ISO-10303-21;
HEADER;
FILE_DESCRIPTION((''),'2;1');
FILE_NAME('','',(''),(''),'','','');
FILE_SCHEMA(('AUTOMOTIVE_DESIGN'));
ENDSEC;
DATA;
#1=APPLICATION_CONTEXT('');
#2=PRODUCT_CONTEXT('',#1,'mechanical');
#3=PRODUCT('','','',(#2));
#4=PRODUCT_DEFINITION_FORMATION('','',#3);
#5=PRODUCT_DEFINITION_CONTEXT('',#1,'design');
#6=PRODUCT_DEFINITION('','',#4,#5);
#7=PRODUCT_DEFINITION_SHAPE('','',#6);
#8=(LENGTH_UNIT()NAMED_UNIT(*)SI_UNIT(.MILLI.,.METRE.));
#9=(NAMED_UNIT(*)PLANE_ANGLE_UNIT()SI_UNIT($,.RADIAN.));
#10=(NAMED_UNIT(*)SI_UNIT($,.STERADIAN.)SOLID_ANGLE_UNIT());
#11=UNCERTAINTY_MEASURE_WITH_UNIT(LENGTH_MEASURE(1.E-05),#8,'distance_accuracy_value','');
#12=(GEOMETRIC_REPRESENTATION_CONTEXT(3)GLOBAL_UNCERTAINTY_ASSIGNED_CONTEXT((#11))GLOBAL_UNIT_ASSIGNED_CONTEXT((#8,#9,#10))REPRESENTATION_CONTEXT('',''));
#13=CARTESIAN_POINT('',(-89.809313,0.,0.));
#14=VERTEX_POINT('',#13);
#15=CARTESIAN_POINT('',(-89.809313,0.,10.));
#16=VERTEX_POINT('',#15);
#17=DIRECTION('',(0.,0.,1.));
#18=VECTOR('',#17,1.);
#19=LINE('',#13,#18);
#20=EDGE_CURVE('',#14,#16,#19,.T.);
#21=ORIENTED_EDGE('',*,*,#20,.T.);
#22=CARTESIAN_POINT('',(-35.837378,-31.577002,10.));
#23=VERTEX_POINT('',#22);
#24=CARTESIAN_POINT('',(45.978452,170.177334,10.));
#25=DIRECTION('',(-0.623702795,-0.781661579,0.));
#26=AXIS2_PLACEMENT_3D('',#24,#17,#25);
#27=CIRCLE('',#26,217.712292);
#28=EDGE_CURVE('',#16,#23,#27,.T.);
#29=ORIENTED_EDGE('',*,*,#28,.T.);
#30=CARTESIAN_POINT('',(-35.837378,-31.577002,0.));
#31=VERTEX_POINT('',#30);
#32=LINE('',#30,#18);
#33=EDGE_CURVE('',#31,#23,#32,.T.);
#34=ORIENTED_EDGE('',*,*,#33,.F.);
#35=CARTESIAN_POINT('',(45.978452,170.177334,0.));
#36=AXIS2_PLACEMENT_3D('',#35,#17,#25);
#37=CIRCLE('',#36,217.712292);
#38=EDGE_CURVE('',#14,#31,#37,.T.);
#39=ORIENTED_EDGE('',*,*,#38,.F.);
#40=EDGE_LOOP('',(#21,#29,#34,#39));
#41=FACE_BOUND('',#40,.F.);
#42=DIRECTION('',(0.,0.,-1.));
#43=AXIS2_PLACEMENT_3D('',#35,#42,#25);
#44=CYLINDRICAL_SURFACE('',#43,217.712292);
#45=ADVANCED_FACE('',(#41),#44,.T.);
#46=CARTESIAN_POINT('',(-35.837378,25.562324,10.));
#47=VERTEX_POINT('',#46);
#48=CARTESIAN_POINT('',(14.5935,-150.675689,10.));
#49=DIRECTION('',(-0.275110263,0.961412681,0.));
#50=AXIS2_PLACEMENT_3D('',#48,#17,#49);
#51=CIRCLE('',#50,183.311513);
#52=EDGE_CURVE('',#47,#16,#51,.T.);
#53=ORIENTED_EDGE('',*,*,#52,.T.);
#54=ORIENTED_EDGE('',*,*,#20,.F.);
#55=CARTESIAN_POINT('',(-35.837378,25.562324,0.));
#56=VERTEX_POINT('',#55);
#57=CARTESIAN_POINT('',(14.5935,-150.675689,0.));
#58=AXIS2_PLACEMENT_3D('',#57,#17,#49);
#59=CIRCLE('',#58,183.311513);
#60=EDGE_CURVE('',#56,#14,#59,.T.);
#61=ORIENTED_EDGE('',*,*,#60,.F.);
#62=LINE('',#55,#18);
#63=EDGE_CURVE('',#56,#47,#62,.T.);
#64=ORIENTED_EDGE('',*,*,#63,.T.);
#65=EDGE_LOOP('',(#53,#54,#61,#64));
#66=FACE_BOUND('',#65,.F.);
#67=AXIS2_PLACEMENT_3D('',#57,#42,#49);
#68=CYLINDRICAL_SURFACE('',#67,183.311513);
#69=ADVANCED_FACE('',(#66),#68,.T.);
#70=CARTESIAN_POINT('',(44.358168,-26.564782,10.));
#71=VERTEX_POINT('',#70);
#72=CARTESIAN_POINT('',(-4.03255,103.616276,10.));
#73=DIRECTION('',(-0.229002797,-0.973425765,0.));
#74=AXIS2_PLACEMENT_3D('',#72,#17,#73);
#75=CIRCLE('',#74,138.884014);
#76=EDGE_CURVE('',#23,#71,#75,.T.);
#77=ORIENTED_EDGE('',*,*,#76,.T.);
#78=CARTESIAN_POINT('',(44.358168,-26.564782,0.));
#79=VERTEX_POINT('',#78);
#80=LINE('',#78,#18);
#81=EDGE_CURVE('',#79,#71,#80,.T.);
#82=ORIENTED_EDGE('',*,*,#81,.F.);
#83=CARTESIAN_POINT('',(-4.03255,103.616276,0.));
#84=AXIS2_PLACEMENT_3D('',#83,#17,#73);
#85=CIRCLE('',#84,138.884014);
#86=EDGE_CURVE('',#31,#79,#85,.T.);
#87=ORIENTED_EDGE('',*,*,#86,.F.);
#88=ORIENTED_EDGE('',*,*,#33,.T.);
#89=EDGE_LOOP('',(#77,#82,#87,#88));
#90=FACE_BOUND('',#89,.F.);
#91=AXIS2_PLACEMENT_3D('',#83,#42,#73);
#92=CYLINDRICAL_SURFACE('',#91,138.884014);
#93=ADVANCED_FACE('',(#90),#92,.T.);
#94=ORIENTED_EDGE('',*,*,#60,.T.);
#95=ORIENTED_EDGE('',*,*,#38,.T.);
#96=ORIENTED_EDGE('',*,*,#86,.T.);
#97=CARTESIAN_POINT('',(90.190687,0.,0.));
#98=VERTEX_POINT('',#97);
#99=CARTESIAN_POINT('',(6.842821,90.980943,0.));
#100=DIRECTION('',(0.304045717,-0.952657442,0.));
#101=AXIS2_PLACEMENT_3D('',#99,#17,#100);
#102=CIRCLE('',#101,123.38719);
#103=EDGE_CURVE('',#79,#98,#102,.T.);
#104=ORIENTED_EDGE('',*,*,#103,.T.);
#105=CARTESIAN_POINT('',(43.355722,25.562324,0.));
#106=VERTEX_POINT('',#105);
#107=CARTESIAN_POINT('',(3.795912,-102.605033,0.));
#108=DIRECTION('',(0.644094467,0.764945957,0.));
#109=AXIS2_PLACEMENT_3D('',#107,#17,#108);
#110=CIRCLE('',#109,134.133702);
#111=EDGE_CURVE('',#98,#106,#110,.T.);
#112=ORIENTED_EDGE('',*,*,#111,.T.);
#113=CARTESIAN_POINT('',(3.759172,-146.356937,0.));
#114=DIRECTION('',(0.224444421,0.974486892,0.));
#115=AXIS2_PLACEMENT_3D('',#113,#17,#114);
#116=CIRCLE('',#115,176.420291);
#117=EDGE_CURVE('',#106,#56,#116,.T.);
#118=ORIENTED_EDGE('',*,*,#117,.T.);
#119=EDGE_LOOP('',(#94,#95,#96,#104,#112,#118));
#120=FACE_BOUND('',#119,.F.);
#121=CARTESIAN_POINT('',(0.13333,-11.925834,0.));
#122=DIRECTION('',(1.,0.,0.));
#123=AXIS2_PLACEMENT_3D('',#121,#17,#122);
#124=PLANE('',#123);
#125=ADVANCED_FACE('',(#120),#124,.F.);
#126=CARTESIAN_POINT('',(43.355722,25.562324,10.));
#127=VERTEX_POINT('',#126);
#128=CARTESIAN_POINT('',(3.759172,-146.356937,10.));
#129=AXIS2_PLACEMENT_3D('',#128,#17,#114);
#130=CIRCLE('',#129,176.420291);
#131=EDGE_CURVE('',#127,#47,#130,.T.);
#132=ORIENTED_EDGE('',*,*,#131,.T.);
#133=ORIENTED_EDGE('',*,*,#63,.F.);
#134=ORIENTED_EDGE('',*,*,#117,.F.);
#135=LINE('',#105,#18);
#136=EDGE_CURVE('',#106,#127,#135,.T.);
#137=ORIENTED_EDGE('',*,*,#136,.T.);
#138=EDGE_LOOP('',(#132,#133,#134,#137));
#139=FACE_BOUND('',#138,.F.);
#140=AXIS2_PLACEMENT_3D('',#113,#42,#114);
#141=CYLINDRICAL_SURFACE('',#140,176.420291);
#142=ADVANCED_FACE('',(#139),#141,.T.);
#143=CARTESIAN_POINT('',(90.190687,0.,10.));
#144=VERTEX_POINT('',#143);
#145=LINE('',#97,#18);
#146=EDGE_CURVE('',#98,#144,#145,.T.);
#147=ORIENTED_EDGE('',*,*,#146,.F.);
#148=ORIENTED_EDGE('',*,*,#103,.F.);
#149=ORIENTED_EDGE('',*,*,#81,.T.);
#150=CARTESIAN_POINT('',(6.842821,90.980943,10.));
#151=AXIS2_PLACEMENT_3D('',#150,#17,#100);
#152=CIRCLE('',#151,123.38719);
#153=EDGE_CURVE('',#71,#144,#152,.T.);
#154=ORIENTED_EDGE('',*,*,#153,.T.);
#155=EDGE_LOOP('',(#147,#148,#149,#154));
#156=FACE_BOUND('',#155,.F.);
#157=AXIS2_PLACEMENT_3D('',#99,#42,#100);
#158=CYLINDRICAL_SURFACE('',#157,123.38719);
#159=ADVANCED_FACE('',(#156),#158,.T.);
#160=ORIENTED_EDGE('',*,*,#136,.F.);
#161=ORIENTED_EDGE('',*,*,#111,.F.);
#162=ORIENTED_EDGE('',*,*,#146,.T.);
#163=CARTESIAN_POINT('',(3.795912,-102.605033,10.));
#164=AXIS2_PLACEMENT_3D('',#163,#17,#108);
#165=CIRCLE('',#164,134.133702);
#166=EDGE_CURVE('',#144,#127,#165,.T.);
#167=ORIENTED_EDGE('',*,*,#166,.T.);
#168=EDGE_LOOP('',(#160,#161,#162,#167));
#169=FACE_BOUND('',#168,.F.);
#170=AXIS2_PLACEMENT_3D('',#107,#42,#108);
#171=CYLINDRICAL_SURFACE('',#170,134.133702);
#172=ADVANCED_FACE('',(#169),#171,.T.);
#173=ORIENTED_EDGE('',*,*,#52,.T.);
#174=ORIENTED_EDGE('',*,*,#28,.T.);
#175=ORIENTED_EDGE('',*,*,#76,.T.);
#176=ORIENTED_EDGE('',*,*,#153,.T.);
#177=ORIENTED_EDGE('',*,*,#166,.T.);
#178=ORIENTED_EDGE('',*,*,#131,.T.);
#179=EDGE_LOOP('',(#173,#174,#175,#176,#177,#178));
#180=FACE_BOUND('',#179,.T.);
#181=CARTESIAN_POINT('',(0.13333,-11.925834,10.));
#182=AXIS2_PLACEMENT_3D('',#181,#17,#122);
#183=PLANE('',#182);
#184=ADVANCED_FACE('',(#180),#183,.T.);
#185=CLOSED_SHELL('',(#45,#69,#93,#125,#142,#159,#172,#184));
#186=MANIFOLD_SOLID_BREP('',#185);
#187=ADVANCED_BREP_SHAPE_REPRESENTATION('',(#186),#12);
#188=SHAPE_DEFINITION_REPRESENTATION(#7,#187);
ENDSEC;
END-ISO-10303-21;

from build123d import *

# Parameters (mm, degrees)
F1_DEPTH = 10


with BuildPart() as f1:
    # F0 (on Top) → F1 (new body)
    with BuildSketch(Plane.XY):
        with BuildLine():
            ThreePointArc((44.358168, -26.564782), (68.716894, -15.771096), (90.190687, 0))
            Line((90.190687, 0), (-89.809313, 0))
            ThreePointArc((-89.809313, 0), (-63.962932, -17.736301), (-35.837378, -31.577002))
            ThreePointArc((-35.837378, -31.577002), (4.630793, -34.997273), (44.358168, -26.564782))
        make_face()
        with BuildLine():
            Line((-89.809313, 0), (90.190687, 0))
            ThreePointArc((90.190687, 0), (68.057078, 15.133459), (43.355722, 25.562324))
            ThreePointArc((43.355722, 25.562324), (3.759172, 30.063354), (-35.837378, 25.562324))
            ThreePointArc((-35.837378, 25.562324), (-63.871308, 14.993815), (-89.809313, 0))
        make_face()
    extrude(amount=F1_DEPTH)


solid = f1.part
